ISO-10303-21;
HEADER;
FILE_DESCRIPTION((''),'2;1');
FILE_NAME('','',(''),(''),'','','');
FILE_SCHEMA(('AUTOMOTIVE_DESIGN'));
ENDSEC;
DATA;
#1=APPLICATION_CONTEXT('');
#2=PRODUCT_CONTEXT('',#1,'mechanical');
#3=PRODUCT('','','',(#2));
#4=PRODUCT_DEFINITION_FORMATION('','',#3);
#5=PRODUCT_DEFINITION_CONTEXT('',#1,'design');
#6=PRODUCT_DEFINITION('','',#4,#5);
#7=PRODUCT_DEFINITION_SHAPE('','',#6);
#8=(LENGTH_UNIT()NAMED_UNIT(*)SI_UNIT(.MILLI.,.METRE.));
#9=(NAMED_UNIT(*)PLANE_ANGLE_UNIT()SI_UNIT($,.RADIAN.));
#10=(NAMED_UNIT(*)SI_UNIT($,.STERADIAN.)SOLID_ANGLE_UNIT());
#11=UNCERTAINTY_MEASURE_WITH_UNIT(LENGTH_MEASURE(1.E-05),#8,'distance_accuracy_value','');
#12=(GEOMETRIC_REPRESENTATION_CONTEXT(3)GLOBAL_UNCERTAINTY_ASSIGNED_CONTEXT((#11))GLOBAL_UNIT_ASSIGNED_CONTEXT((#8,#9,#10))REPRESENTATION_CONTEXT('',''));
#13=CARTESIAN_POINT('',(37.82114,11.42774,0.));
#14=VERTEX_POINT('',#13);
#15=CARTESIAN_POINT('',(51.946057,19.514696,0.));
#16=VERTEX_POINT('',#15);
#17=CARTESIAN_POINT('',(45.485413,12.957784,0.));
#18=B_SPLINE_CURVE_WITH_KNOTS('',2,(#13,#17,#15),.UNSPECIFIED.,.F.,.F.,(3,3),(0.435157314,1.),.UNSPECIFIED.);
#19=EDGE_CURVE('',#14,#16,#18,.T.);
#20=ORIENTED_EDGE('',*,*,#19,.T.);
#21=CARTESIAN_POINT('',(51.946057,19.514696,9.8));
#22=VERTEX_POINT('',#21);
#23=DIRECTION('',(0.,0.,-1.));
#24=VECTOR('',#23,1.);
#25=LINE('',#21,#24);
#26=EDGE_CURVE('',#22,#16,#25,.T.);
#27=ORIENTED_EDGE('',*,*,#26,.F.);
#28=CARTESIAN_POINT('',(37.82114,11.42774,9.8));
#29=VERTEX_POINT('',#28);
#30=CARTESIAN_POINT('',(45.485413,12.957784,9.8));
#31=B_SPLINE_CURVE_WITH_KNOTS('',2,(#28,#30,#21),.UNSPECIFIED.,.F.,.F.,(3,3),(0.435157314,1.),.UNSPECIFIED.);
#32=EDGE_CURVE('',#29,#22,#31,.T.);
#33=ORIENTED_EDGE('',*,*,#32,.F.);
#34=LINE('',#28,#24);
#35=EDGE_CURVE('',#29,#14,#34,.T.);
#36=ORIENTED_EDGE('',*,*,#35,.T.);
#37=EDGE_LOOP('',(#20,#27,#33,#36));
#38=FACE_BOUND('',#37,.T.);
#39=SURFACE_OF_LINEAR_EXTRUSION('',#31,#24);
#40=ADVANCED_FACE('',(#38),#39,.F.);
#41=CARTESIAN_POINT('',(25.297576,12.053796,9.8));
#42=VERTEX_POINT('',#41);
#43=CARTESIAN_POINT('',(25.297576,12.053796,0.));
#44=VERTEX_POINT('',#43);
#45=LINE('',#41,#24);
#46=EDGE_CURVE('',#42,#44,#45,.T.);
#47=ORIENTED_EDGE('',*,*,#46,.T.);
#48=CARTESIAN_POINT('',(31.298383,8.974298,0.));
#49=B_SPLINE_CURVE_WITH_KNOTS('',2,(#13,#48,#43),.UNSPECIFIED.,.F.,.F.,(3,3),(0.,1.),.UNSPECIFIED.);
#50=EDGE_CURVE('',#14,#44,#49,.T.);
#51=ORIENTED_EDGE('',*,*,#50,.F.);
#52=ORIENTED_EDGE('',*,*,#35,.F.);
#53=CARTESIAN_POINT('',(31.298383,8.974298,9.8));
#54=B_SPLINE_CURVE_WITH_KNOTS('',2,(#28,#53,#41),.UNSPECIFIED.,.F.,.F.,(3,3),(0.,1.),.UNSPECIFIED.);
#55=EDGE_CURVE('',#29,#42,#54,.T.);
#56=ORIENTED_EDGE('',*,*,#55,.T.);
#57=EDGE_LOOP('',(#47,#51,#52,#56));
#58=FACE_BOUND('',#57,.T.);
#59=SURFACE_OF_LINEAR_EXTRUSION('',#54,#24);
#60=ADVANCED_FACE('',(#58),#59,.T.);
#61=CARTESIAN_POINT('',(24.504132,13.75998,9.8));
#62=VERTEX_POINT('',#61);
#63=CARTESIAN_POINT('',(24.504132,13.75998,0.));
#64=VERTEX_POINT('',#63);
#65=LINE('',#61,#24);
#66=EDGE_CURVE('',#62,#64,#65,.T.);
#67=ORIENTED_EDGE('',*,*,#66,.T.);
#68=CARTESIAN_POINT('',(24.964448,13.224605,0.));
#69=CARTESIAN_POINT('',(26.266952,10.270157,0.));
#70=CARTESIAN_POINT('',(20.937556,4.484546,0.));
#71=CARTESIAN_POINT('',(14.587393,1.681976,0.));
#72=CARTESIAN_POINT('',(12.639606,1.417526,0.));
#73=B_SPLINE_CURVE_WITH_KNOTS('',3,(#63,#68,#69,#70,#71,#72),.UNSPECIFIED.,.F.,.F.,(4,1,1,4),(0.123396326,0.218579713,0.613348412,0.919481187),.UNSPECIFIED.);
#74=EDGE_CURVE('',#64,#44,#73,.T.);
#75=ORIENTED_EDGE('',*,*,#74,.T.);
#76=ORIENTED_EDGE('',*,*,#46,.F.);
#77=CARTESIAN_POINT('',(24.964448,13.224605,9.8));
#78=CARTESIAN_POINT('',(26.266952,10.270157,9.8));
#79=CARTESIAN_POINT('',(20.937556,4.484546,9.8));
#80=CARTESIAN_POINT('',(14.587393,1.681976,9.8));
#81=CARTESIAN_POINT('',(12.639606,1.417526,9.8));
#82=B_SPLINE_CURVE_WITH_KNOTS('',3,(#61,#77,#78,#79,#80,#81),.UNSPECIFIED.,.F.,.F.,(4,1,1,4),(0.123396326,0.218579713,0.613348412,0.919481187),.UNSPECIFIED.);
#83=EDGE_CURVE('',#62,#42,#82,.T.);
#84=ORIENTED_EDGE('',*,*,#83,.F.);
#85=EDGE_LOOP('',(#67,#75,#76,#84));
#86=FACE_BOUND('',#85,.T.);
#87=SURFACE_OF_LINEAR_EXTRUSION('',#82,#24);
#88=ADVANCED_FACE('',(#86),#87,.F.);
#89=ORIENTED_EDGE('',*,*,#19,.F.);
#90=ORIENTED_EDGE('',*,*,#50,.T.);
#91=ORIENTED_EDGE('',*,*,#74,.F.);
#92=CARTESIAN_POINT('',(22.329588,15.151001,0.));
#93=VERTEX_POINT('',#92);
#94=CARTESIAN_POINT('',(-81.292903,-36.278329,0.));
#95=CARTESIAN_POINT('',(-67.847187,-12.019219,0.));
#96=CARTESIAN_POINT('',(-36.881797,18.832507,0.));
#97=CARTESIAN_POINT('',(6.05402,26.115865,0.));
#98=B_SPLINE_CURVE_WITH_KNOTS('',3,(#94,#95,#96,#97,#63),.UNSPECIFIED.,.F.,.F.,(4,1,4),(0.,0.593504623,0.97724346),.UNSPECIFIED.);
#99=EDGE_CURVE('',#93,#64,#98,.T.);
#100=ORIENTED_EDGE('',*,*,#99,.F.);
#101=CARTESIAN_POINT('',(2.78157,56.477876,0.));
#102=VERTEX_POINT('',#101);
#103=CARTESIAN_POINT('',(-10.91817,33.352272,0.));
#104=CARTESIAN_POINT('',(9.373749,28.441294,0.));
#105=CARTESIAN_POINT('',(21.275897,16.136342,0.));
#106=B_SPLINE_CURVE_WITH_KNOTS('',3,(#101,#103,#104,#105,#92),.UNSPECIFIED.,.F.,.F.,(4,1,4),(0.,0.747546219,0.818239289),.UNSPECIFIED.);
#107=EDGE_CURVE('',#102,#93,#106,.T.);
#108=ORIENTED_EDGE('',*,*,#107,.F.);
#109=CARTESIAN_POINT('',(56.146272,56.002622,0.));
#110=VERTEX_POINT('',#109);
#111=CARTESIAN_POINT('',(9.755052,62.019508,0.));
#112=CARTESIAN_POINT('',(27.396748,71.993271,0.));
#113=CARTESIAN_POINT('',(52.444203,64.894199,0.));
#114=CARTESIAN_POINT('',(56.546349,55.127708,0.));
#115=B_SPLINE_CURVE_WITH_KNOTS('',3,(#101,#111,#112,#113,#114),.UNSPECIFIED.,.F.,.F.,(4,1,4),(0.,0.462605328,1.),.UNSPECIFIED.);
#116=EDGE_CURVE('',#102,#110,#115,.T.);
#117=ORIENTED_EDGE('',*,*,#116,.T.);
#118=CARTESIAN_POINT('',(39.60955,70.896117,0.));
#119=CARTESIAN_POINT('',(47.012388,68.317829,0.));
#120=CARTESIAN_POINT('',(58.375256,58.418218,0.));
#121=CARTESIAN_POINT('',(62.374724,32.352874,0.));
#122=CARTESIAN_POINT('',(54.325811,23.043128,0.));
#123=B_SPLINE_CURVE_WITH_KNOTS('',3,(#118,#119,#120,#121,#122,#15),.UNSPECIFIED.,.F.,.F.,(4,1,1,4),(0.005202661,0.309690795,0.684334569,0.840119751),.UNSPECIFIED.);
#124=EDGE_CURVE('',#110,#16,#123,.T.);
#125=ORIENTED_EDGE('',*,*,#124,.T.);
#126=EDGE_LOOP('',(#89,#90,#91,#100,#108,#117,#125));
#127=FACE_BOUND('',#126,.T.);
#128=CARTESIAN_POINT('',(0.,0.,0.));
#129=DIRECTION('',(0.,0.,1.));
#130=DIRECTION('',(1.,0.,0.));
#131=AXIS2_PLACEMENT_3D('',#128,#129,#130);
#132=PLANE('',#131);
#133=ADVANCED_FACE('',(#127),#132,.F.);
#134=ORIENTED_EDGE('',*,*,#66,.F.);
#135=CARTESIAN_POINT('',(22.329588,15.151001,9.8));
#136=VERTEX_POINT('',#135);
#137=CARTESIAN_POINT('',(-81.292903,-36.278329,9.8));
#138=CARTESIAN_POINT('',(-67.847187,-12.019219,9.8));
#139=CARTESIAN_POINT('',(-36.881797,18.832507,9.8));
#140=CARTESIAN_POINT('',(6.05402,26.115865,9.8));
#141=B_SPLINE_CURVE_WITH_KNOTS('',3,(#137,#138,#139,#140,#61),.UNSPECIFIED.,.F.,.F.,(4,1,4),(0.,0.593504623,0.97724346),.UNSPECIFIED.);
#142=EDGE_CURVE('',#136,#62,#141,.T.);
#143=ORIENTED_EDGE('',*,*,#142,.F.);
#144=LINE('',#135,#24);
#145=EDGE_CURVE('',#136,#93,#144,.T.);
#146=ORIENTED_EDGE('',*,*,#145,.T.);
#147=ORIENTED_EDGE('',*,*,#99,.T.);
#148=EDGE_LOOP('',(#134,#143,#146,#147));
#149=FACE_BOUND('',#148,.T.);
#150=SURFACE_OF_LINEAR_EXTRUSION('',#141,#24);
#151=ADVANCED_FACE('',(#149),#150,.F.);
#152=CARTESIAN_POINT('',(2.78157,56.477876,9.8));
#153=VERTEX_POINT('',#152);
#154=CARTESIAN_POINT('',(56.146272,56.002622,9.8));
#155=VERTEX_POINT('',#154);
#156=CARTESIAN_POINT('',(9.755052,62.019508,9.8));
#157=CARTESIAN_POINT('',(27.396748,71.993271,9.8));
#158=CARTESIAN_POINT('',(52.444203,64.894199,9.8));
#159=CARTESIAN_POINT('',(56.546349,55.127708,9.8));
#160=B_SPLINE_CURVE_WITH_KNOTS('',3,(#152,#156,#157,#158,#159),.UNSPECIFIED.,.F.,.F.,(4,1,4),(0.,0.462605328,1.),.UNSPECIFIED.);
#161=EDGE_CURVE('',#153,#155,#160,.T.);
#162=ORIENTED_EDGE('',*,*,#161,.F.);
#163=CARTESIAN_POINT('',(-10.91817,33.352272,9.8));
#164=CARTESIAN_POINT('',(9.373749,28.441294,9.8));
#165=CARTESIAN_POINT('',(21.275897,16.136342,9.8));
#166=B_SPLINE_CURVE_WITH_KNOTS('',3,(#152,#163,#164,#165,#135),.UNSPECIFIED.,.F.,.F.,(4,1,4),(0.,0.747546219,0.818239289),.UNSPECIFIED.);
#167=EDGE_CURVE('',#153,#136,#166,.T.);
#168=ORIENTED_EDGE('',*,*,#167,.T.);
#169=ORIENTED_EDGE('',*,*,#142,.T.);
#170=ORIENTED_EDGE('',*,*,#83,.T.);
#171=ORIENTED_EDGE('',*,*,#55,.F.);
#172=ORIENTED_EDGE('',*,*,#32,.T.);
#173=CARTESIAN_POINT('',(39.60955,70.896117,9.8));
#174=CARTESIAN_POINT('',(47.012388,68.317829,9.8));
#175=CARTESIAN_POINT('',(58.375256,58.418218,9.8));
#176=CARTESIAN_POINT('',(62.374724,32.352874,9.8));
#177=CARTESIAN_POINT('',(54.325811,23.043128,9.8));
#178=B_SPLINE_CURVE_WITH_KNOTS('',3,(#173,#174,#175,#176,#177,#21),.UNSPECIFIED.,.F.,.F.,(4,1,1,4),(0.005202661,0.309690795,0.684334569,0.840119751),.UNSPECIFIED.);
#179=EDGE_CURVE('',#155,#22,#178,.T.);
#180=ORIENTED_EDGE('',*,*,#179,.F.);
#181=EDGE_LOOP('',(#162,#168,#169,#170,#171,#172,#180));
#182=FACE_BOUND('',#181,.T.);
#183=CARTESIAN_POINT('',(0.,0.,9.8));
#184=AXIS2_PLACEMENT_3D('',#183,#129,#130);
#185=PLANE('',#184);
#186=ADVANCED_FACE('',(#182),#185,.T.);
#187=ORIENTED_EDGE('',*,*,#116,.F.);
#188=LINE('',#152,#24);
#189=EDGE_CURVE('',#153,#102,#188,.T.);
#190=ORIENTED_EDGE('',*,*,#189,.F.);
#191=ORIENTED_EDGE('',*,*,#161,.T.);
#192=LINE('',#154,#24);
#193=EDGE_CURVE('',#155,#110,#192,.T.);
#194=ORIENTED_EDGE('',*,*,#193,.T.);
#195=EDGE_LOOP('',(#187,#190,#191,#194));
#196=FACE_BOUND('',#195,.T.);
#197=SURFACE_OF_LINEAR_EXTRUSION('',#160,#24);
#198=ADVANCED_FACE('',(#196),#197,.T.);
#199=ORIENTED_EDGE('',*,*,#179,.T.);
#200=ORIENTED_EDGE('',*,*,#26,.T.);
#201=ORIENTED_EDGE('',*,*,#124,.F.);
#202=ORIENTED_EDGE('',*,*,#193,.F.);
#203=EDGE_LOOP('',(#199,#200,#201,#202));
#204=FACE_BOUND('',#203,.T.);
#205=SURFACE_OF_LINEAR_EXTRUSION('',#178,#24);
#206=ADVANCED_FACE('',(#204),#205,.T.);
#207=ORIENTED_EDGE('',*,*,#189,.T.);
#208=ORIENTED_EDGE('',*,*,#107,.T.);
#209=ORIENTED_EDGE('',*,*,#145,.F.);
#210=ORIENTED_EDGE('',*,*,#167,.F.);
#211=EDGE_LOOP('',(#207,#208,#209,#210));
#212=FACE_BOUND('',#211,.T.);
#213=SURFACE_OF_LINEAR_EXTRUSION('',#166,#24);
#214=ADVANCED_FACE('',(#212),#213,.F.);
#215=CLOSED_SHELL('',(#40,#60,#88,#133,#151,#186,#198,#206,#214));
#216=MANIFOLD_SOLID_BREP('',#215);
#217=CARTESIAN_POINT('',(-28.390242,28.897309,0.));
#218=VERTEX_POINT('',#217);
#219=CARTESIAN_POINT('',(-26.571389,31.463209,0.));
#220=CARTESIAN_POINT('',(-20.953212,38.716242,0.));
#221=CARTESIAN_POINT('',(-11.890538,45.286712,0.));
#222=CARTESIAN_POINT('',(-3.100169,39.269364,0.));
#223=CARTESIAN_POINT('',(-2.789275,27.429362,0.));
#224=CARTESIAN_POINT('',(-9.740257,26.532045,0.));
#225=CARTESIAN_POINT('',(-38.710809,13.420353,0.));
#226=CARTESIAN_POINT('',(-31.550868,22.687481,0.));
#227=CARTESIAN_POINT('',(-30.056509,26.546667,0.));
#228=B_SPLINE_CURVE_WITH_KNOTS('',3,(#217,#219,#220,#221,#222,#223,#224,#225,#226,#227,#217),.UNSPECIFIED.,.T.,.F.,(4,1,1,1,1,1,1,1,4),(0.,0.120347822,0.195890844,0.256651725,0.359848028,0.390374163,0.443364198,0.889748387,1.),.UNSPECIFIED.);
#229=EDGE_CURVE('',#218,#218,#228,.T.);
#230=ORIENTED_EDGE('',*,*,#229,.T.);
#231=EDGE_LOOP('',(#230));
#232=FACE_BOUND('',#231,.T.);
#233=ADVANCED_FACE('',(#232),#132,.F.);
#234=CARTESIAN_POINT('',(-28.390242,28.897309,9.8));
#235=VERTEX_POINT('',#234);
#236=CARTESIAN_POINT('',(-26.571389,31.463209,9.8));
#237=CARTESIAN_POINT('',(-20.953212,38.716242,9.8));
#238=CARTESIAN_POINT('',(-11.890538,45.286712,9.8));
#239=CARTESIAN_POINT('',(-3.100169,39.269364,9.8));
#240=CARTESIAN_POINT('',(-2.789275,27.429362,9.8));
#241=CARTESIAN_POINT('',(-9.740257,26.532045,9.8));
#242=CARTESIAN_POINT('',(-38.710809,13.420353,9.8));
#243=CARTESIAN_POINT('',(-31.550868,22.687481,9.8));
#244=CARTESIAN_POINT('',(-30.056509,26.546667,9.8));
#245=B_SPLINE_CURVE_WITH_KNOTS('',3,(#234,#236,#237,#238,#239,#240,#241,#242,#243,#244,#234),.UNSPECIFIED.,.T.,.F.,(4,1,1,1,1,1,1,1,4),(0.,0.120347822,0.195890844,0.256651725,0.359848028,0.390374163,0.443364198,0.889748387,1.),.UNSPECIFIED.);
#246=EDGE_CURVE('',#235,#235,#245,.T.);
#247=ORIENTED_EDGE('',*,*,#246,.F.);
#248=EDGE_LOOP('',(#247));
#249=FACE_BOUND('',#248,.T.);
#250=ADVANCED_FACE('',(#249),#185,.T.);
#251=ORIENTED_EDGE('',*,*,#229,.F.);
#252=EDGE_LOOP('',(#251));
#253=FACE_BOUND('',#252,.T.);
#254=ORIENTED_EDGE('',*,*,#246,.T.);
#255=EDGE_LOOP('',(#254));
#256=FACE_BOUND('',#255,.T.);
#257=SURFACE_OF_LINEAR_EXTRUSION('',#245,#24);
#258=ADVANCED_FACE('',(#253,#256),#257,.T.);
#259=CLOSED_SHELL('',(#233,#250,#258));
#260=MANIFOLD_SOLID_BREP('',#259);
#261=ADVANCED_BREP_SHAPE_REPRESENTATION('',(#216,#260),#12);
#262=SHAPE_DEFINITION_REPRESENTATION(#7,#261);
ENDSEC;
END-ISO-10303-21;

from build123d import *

# Parameters (mm, degrees)
BOSS_EXTRUDE1_DEPTH   = 9.8
BOSS_EXTRUDE1_2_DEPTH = 9.8


with BuildPart() as part:
    # Sketch1 → Boss-Extrude1 (new body)
    with BuildSketch(Plane.XY):
        with BuildLine():
            add(Edge.make_bspline(
                [(24.504132241, 13.759980156), (24.964447854, 13.224605023), (25.217486421, 12.650642003), (25.297576464, 12.053795843)],
                knots=[0.123396326, 0.123396326, 0.123396326, 0.123396326, 0.218579713, 0.218579713, 0.218579713, 0.218579713], degree=3))
            add(Edge.make_bspline(
                [(37.821139836, 11.427740345), (31.298382762, 8.974298335), (25.297576464, 12.053795843)],
                knots=[0, 0, 0, 1, 1, 1], degree=2))
            add(Edge.make_bspline(
                [(37.821139836, 11.427740345), (45.485413132, 12.957784456), (51.946056973, 19.514695727)],
                knots=[0.435157314, 0.435157314, 0.435157314, 1, 1, 1], degree=2))
            add(Edge.make_bspline(
                [(56.146272285, 56.002622278), (59.988455308, 47.838832857), (62.111941981, 32.048927989), (54.325811088, 23.043128297), (51.946056973, 19.514695727)],
                knots=[0.327008298, 0.327008298, 0.327008298, 0.327008298, 0.684334569, 0.840119751, 0.840119751, 0.840119751, 0.840119751], degree=3))
            add(Edge.make_bspline(
                [(2.781570235, 56.477875573), (9.755051735, 62.019508327), (27.108309867, 71.830202469), (51.627140953, 65.121771613), (56.146272285, 56.002622278)],
                knots=[0, 0, 0, 0, 0.462605328, 0.983650205, 0.983650205, 0.983650205, 0.983650205], degree=3))
            add(Edge.make_bspline(
                [(2.781570235, 56.477875573), (-10.918170192, 33.352271784), (9.373748922, 28.441294286), (21.275896824, 16.136341738), (22.329588328, 15.1510014)],
                knots=[0, 0, 0, 0, 0.747546219, 0.818239289, 0.818239289, 0.818239289, 0.818239289], degree=3))
            add(Edge.make_bspline(
                [(22.329588328, 15.1510014), (23.051954496, 14.710500516), (23.776807683, 14.247063274), (24.504132241, 13.759980156)],
                knots=[0.962116035, 0.962116035, 0.962116035, 0.962116035, 0.97724346, 0.97724346, 0.97724346, 0.97724346], degree=3))
        make_face()
    extrude(amount=BOSS_EXTRUDE1_DEPTH)


with BuildPart() as body_2:
    # Sketch1 → Boss-Extrude1 2 (new body)
    with BuildSketch(Plane.XY):
        with BuildLine():
            add(Edge.make_bspline(
                [(-28.390242352, 28.897309014), (-26.571388659, 31.463209098), (-20.953212453, 38.716241813), (-11.890538346, 45.286711747), (-3.100169417, 39.269363724), (-2.789275481, 27.42936163), (-9.740256623, 26.532045009), (-38.710808991, 13.420352633), (-31.550867998, 22.687481493), (-30.056508931, 26.546667194), (-28.390242352, 28.897309014)],
                knots=[0, 0, 0, 0, 0.120347822, 0.195890844, 0.256651725, 0.359848028, 0.390374163, 0.443364198, 0.889748387, 1, 1, 1, 1], degree=3))
        make_face()
    extrude(amount=BOSS_EXTRUDE1_2_DEPTH)


solid = Compound([part.part, body_2.part])
